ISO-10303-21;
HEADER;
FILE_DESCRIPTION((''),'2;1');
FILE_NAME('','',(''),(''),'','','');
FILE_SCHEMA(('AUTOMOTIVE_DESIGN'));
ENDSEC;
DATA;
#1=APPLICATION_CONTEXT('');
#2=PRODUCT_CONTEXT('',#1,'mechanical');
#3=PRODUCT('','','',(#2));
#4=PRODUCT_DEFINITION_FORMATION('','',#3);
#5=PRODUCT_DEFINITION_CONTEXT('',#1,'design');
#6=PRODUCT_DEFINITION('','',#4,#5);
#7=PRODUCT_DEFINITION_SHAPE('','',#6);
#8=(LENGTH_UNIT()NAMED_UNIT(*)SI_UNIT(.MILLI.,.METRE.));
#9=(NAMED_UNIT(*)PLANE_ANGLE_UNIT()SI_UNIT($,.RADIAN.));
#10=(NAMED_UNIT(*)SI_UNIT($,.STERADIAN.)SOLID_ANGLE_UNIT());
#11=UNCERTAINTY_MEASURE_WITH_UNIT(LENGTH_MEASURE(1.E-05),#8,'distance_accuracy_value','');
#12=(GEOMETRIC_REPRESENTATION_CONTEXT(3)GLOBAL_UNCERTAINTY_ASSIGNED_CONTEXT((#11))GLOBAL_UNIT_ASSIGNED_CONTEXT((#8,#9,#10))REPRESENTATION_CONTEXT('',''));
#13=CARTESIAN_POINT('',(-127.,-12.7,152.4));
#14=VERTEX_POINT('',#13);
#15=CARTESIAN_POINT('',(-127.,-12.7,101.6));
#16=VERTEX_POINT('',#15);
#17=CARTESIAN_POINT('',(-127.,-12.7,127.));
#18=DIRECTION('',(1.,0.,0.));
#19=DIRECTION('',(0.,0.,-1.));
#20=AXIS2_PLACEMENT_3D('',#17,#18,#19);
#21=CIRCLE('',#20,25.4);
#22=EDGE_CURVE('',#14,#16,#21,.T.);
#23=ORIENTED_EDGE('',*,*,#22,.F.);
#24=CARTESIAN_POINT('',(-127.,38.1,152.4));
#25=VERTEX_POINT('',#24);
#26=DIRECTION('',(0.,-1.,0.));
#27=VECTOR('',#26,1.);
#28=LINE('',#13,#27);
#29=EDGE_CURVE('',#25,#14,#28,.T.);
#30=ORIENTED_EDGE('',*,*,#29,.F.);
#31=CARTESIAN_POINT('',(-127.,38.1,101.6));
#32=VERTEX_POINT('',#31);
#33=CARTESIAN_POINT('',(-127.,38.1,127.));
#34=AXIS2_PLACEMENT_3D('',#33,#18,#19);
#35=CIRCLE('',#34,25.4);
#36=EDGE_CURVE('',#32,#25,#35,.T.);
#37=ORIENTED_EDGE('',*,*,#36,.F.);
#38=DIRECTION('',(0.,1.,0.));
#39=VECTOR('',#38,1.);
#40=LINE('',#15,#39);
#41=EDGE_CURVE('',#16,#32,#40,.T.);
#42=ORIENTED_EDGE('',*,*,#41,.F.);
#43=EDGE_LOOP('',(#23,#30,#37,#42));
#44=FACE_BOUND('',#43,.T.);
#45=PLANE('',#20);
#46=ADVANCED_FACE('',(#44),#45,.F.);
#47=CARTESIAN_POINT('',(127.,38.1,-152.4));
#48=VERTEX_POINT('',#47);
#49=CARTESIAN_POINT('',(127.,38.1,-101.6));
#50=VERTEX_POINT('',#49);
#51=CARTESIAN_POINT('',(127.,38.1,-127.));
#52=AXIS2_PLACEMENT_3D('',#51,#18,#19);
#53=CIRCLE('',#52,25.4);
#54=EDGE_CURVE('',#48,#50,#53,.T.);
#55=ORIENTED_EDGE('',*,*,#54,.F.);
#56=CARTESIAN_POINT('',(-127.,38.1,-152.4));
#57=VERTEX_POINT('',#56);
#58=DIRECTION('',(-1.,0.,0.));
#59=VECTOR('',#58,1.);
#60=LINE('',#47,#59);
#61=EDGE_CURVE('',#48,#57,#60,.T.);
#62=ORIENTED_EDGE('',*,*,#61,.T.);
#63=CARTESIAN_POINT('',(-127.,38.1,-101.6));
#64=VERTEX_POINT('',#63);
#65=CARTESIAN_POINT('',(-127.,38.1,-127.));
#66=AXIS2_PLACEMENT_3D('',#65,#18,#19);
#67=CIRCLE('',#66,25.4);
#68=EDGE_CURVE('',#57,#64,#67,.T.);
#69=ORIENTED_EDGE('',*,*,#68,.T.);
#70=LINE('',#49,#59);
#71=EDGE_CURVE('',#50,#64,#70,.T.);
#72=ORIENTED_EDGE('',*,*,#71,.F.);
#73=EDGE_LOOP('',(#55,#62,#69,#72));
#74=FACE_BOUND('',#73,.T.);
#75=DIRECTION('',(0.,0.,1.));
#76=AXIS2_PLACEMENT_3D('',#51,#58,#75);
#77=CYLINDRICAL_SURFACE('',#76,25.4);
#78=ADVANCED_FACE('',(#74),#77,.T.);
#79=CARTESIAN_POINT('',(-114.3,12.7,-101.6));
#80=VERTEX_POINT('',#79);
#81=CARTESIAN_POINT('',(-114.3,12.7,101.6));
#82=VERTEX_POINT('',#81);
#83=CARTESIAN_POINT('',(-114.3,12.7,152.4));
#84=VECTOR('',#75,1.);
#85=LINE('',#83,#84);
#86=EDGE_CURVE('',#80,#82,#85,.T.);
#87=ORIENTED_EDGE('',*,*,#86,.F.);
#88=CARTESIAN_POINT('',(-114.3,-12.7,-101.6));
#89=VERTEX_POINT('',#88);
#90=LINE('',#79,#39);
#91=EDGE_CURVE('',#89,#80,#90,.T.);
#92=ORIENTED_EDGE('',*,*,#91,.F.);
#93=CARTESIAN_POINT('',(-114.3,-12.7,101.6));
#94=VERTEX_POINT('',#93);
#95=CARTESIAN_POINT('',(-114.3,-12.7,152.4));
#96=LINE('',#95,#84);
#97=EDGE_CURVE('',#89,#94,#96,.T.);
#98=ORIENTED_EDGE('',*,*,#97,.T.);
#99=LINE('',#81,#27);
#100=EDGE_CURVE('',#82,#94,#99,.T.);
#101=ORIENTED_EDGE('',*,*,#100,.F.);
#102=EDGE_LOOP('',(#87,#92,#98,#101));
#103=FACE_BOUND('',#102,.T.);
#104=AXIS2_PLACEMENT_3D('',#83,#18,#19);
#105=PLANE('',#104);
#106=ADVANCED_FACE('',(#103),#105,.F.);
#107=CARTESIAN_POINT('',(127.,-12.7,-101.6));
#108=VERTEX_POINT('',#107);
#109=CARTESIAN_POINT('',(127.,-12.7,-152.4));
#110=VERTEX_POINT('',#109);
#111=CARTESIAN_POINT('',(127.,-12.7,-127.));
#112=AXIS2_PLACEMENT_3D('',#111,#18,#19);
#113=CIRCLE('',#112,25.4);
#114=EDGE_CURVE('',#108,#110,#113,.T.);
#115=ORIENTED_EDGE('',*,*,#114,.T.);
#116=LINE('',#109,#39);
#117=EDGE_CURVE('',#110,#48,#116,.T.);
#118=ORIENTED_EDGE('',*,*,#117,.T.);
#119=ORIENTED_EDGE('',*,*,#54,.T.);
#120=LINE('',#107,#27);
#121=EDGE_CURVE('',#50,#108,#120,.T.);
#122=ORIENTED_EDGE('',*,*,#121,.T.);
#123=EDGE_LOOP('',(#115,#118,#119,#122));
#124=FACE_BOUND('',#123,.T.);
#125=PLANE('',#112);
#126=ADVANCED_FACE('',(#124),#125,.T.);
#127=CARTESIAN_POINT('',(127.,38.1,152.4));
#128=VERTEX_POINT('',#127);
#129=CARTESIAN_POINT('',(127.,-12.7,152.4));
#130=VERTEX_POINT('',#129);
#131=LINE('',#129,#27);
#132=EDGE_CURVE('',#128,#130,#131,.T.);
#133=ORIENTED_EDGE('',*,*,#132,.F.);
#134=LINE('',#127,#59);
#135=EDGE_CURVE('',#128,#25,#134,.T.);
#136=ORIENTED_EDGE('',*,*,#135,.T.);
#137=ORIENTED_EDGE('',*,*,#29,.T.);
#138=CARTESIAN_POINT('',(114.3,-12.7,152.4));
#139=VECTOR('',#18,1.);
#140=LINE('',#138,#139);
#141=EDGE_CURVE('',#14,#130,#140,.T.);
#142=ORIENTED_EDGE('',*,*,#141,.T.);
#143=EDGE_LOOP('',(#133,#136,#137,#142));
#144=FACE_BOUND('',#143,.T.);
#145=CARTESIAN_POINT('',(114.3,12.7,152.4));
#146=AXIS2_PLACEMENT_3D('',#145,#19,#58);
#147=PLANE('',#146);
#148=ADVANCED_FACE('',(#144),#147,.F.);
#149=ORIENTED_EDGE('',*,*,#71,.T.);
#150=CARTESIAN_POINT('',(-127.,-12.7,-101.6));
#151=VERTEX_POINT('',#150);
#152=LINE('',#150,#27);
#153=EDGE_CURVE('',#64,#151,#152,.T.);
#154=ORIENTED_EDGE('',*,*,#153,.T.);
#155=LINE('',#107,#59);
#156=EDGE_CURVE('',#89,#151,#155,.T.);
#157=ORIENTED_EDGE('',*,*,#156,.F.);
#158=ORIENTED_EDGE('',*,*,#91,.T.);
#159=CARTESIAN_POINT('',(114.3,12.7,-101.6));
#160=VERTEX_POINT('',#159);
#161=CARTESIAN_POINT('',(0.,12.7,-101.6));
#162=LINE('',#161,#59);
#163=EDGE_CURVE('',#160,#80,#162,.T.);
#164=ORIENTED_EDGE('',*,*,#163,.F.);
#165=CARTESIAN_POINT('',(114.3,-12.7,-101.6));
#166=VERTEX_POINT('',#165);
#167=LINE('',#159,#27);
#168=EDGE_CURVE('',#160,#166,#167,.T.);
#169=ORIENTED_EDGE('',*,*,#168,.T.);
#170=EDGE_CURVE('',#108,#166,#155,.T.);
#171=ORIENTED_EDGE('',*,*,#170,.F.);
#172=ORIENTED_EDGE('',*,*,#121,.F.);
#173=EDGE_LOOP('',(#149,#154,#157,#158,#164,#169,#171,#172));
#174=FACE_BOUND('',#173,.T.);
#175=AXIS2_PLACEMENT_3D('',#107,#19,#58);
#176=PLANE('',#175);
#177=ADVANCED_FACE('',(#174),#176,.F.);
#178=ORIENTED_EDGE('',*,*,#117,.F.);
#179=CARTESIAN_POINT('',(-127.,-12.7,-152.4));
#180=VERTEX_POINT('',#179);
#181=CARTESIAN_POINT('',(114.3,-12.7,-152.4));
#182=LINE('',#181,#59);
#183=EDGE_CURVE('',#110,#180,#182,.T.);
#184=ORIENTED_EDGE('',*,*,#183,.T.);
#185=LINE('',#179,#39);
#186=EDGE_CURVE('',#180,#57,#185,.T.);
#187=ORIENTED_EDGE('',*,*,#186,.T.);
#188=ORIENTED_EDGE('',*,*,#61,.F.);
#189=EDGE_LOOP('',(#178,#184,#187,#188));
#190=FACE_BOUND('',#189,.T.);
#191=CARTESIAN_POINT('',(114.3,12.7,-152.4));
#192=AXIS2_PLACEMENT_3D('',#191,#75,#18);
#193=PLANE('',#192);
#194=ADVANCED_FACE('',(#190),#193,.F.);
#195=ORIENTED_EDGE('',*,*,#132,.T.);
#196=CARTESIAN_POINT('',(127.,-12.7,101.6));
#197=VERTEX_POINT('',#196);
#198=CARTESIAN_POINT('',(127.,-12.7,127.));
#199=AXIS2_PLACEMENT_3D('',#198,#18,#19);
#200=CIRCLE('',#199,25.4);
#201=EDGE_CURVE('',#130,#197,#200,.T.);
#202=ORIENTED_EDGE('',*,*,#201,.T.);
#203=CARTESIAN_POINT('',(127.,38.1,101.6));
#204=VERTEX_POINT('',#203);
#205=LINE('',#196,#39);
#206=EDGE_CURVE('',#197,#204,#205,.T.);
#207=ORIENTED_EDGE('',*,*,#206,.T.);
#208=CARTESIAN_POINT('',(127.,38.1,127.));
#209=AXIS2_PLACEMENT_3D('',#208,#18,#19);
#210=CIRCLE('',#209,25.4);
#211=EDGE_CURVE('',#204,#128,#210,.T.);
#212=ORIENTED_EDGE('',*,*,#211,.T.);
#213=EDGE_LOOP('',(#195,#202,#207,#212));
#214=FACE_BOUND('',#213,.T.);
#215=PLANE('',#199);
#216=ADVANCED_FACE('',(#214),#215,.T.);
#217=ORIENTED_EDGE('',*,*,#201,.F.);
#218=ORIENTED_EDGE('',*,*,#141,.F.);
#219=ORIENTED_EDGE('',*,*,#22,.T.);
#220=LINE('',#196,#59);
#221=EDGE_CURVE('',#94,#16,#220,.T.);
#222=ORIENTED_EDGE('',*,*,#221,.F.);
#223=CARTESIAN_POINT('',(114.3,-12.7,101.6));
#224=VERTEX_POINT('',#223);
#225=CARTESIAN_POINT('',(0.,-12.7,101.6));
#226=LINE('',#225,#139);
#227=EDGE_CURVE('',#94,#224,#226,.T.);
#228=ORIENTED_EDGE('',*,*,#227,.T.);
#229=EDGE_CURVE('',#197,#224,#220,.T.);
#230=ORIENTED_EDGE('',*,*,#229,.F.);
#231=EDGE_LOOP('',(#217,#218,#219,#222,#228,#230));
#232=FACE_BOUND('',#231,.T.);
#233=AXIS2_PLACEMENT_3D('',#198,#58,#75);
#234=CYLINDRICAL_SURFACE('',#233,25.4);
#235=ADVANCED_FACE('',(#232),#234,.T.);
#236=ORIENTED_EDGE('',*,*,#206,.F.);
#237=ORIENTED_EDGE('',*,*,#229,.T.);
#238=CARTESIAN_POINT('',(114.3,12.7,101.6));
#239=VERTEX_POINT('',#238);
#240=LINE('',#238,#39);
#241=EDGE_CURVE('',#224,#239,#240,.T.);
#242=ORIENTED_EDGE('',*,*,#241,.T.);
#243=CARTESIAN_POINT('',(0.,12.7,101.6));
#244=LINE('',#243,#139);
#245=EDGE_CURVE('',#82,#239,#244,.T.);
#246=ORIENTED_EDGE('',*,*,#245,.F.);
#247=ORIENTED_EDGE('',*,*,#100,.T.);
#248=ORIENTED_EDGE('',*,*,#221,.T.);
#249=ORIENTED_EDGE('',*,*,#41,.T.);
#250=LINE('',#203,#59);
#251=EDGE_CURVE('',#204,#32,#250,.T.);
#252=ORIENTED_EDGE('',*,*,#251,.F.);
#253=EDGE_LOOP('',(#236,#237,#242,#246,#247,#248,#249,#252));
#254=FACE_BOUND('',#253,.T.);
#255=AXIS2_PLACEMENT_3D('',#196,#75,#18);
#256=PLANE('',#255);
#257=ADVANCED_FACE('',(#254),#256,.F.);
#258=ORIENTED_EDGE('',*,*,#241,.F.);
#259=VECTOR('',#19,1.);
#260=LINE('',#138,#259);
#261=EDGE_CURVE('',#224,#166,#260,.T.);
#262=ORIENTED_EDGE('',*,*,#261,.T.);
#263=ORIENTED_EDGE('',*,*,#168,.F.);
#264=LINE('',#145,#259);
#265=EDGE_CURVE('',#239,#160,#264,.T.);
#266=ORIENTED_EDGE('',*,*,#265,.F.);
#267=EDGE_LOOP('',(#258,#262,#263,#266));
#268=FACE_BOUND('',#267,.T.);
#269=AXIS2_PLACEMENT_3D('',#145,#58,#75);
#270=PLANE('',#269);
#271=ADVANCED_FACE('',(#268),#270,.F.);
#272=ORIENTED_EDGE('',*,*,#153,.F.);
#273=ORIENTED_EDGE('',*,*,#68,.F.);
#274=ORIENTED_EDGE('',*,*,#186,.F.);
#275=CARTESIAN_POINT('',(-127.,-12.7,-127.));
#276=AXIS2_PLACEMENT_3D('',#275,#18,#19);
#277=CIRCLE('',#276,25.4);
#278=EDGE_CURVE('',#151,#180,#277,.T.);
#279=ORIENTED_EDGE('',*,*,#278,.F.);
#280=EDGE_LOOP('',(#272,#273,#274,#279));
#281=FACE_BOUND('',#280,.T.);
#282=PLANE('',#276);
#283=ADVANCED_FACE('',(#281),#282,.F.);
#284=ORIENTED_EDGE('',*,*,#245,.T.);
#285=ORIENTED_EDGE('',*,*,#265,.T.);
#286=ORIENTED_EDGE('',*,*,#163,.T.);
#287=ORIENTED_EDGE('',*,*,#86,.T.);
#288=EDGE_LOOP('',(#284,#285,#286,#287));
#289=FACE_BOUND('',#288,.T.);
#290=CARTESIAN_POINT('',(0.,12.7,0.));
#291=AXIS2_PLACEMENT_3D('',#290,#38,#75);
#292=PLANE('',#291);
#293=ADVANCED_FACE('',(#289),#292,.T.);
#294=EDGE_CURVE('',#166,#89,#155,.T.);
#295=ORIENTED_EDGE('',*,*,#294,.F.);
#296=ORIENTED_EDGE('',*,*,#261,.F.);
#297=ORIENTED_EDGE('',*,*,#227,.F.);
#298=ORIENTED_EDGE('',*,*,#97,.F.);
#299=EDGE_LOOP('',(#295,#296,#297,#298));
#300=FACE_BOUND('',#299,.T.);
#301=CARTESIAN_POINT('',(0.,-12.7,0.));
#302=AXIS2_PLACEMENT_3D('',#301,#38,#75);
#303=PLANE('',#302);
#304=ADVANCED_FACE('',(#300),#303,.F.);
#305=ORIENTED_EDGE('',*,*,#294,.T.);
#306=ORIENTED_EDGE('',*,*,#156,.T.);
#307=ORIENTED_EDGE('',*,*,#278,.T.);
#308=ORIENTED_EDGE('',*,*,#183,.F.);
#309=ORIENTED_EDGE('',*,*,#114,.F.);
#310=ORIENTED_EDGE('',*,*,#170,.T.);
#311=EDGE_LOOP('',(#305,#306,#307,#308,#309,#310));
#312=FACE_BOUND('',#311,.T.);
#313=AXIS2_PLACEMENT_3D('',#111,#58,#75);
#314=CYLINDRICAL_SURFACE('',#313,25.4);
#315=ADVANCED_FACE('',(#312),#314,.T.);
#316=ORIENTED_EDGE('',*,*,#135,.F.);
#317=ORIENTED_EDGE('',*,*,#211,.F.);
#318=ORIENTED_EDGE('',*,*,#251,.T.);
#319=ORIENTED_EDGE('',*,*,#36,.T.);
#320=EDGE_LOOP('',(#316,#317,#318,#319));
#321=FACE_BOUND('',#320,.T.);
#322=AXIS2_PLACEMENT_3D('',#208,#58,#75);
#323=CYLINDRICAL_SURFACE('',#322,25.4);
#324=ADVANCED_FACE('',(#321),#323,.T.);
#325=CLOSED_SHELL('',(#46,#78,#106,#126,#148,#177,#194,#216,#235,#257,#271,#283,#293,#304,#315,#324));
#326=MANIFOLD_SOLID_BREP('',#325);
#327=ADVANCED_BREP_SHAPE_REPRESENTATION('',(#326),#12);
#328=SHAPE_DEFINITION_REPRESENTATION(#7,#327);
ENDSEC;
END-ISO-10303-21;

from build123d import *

# Parameters (mm, degrees)
SKETCH1_W           = 228.6
SKETCH1_H           = 304.8
BOSS_EXTRUDE1_DEPTH = 12.7
BOSS_EXTRUDE2_DEPTH = 127


with BuildPart() as part:
    # Sketch1 → Boss-Extrude1 (new, symmetric)
    with BuildSketch(Plane(origin=(0, 0, 0), x_dir=(1, 0, 0), z_dir=(0, 1, 0))):
        Rectangle(SKETCH1_W, SKETCH1_H)
    extrude(amount=BOSS_EXTRUDE1_DEPTH, both=True)

    # Sketch2 → Boss-Extrude2 (add, symmetric)
    with BuildSketch(Plane(origin=(0, 0, 0), x_dir=(0, 0, -1), z_dir=(1, 0, 0))):
        with BuildLine():
            Line((-152.4, -12.7), (-152.4, 38.1))
            ThreePointArc((-152.4, 38.1), (-127, 63.5), (-101.6, 38.1))
            Line((-101.6, 38.1), (-101.6, -12.7))
            ThreePointArc((-101.6, -12.7), (-127, -38.1), (-152.4, -12.7))
        make_face()
        with BuildLine():
            Line((101.6, -12.7), (101.6, 38.1))
            ThreePointArc((101.6, 38.1), (127, 63.5), (152.4, 38.1))
            Line((152.4, 38.1), (152.4, -12.7))
            ThreePointArc((152.4, -12.7), (127, -38.1), (101.6, -12.7))
        make_face()
    extrude(amount=BOSS_EXTRUDE2_DEPTH, both=True)


solid = part.part
